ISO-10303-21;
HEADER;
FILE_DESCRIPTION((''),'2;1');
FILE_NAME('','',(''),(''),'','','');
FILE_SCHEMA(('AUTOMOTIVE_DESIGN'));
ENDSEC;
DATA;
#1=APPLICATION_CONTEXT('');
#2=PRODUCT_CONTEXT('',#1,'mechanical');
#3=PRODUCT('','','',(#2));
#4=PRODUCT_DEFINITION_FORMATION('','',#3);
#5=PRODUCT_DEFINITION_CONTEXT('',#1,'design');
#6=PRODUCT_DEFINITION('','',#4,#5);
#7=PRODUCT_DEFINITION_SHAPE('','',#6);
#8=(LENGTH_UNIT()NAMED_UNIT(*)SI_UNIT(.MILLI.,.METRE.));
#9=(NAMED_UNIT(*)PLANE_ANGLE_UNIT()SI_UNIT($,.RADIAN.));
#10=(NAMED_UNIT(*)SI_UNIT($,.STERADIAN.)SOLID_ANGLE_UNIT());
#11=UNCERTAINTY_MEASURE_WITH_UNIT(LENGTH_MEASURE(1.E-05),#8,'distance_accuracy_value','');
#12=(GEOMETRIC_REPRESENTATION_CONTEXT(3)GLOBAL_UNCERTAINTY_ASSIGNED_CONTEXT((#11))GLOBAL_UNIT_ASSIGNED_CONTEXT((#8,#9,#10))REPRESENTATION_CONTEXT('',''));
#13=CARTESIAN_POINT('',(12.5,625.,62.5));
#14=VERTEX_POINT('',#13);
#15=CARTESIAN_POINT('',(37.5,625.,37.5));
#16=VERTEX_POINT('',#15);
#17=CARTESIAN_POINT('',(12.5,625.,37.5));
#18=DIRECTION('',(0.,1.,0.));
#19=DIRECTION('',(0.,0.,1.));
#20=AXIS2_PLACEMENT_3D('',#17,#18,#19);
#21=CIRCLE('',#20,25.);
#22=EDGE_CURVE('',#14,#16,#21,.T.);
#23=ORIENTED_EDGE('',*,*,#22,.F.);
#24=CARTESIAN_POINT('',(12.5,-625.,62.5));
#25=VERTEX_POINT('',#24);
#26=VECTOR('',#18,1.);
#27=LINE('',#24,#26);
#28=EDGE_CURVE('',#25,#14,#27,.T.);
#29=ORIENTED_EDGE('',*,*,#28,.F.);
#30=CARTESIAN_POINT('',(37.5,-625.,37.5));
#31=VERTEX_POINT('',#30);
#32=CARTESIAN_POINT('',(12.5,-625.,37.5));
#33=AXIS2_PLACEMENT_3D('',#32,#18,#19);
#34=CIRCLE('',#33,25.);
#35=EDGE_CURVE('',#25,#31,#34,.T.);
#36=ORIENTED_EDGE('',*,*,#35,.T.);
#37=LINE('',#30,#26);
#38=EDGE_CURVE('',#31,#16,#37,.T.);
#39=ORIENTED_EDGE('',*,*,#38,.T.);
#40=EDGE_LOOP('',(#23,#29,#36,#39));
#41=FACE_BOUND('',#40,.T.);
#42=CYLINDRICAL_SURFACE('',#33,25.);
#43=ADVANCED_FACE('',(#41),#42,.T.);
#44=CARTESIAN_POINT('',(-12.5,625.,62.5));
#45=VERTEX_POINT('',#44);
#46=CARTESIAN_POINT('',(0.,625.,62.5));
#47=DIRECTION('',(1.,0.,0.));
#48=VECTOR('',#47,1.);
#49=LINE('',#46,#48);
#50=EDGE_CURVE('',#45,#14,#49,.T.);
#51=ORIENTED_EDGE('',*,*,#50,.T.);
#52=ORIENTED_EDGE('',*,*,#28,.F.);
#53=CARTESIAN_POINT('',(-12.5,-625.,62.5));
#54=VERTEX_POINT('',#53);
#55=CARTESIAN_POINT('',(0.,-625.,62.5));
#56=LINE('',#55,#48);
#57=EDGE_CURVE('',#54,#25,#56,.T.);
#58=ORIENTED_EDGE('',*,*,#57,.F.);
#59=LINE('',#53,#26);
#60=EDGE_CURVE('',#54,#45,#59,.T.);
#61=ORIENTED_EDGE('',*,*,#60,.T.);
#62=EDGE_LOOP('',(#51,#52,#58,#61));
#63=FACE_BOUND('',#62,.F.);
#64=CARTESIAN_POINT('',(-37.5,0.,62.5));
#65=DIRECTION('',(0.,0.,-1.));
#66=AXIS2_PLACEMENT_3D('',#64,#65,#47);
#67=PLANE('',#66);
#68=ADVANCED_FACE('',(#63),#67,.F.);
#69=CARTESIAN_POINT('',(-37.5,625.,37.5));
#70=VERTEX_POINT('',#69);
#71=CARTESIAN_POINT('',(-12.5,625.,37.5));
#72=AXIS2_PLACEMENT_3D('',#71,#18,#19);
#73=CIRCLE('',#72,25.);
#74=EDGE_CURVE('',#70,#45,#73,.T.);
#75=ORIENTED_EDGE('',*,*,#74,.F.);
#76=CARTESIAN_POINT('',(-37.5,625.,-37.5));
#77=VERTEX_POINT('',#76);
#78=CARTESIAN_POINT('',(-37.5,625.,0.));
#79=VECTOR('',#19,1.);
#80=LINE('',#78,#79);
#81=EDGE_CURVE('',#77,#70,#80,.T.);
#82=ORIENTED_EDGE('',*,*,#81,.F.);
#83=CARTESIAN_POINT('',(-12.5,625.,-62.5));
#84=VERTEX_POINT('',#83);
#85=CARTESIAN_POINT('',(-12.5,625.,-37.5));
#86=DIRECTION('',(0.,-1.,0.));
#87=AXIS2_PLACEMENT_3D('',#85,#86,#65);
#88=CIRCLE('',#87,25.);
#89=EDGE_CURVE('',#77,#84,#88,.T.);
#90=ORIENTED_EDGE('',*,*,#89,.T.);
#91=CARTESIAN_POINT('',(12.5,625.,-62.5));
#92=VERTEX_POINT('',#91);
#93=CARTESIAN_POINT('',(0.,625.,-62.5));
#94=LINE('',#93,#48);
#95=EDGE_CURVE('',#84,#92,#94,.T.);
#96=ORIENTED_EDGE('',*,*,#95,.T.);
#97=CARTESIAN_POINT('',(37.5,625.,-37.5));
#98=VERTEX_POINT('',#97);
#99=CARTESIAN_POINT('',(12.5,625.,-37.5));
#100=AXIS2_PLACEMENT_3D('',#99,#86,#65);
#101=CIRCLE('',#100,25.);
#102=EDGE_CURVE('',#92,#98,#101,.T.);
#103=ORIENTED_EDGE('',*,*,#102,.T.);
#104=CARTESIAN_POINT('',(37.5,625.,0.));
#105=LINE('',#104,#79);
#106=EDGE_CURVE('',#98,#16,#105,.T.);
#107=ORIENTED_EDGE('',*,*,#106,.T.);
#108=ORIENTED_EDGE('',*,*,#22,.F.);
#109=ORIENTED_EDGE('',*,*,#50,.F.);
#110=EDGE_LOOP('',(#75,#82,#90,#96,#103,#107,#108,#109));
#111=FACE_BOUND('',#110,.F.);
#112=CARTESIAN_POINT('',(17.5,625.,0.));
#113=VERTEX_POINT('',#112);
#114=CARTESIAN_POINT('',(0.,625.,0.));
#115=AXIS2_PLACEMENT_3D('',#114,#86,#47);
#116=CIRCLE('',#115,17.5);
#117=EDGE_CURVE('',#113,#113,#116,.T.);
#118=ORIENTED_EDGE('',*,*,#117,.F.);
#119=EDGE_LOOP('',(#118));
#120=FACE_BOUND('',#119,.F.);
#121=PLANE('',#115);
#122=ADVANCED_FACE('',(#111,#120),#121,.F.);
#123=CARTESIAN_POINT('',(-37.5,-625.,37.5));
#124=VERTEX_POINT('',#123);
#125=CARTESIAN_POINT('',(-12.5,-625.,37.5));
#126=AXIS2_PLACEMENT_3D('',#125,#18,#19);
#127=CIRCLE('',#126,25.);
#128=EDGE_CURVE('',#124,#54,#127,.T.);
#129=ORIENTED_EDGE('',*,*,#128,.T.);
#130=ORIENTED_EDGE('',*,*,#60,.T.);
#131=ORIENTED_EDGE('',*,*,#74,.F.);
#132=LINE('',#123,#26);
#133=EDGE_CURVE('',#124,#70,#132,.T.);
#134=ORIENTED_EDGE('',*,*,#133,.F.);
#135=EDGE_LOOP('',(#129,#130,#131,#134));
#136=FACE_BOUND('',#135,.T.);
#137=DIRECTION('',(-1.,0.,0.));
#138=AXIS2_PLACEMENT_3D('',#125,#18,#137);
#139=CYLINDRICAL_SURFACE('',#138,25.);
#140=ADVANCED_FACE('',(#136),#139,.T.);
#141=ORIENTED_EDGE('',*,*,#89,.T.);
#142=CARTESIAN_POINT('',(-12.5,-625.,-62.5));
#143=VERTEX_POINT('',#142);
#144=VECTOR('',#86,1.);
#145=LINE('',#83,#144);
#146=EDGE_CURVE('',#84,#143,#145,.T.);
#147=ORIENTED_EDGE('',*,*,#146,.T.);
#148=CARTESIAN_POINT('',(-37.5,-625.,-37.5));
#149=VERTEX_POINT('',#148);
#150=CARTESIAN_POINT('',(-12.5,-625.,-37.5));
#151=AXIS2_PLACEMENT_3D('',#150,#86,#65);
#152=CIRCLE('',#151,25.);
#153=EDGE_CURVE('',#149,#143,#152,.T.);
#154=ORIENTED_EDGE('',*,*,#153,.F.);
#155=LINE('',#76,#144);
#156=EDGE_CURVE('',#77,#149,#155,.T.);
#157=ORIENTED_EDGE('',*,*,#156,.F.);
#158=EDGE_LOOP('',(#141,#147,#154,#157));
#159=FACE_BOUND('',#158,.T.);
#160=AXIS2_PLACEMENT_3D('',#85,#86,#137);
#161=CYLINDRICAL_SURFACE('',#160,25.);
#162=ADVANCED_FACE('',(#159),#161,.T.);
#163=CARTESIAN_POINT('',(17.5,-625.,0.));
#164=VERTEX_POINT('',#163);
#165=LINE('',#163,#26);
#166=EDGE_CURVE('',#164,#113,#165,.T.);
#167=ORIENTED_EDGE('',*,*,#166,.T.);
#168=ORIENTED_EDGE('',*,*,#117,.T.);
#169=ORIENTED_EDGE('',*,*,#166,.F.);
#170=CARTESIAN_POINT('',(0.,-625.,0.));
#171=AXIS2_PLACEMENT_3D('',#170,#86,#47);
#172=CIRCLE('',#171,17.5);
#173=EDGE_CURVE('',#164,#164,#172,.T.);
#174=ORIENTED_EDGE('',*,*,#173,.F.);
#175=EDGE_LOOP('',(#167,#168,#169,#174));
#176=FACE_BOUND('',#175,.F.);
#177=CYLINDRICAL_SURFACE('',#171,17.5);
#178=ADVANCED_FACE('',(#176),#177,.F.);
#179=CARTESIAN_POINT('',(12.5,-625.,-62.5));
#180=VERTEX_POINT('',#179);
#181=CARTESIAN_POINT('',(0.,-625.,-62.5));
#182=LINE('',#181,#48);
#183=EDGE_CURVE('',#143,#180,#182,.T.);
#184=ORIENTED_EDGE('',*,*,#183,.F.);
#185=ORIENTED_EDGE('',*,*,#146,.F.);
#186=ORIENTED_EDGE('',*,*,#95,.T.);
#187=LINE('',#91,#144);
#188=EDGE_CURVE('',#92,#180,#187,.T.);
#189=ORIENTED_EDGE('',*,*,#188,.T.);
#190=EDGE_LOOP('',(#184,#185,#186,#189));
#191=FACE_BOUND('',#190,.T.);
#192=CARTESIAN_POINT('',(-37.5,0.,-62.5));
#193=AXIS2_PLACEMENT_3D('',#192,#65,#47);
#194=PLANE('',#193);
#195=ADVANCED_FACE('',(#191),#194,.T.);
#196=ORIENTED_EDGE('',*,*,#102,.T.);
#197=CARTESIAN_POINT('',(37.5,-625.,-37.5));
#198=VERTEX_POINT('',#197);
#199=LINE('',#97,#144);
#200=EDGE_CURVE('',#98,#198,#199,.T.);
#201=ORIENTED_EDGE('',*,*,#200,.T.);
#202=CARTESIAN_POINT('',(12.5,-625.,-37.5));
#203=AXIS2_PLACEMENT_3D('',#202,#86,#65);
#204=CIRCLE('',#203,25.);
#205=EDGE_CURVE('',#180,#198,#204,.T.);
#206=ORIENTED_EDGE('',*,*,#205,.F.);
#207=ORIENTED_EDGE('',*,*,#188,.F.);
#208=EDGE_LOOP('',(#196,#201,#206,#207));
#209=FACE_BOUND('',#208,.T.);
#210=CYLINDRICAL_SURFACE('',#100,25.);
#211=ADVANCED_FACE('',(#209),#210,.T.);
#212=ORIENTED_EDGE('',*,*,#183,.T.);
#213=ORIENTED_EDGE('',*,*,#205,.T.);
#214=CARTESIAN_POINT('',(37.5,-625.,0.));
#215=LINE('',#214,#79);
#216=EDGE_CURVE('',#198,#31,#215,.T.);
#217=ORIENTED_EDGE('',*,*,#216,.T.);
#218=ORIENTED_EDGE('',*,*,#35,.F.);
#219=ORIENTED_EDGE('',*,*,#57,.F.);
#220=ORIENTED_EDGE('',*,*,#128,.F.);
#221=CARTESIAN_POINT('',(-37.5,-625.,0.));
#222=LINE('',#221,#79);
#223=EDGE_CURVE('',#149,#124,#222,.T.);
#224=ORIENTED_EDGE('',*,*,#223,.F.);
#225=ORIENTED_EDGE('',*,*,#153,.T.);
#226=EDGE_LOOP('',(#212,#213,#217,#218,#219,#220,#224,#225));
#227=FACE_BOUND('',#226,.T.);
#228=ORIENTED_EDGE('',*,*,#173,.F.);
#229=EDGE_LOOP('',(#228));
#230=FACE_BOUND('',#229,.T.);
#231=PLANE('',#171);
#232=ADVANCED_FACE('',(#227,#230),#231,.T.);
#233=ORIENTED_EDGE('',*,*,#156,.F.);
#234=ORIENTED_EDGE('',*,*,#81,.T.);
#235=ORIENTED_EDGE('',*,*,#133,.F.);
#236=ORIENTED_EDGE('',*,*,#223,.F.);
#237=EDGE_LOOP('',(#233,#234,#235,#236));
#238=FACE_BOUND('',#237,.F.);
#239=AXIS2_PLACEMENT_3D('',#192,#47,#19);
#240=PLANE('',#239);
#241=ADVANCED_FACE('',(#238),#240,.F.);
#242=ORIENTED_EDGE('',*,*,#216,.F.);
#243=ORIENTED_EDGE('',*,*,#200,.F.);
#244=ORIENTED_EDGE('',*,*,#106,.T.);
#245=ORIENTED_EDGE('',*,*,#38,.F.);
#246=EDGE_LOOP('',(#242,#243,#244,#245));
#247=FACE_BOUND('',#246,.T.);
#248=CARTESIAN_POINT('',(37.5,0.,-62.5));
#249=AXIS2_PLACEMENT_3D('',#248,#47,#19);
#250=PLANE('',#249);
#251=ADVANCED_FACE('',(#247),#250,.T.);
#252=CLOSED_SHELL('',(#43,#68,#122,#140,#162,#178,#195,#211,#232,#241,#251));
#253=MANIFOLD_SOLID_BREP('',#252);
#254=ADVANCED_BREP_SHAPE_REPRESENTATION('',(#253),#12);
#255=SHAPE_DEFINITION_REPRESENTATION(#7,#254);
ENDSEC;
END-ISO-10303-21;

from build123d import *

# Parameters (mm, degrees)
F0_W     = 75
F0_H     = 125
F1_DEPTH = 625
F2_R     = 17.5
F3_DEPTH = 1250
F4_R     = 25


with BuildPart() as f1:
    # F0 (on Front) → F1 (new body, symmetric)
    with BuildSketch(Plane.XZ):
        Rectangle(F0_W, F0_H)
    extrude(amount=F1_DEPTH, both=True)

    # F2 (on face) → F3 (cut)
    with BuildSketch(Plane.XZ.offset(625)):
        Circle(F2_R)
    extrude(amount=-F3_DEPTH, mode=Mode.SUBTRACT)

    # F4
    f4_edges = [f1.edges().sort_by_distance(p)[0] for p in [
        (37.5, 0, 62.5),
        (-37.5, 0, 62.5),
        (-37.5, 0, -62.5),
        (37.5, 0, -62.5),
    ]]
    fillet(f4_edges, radius=F4_R)


solid = f1.part
